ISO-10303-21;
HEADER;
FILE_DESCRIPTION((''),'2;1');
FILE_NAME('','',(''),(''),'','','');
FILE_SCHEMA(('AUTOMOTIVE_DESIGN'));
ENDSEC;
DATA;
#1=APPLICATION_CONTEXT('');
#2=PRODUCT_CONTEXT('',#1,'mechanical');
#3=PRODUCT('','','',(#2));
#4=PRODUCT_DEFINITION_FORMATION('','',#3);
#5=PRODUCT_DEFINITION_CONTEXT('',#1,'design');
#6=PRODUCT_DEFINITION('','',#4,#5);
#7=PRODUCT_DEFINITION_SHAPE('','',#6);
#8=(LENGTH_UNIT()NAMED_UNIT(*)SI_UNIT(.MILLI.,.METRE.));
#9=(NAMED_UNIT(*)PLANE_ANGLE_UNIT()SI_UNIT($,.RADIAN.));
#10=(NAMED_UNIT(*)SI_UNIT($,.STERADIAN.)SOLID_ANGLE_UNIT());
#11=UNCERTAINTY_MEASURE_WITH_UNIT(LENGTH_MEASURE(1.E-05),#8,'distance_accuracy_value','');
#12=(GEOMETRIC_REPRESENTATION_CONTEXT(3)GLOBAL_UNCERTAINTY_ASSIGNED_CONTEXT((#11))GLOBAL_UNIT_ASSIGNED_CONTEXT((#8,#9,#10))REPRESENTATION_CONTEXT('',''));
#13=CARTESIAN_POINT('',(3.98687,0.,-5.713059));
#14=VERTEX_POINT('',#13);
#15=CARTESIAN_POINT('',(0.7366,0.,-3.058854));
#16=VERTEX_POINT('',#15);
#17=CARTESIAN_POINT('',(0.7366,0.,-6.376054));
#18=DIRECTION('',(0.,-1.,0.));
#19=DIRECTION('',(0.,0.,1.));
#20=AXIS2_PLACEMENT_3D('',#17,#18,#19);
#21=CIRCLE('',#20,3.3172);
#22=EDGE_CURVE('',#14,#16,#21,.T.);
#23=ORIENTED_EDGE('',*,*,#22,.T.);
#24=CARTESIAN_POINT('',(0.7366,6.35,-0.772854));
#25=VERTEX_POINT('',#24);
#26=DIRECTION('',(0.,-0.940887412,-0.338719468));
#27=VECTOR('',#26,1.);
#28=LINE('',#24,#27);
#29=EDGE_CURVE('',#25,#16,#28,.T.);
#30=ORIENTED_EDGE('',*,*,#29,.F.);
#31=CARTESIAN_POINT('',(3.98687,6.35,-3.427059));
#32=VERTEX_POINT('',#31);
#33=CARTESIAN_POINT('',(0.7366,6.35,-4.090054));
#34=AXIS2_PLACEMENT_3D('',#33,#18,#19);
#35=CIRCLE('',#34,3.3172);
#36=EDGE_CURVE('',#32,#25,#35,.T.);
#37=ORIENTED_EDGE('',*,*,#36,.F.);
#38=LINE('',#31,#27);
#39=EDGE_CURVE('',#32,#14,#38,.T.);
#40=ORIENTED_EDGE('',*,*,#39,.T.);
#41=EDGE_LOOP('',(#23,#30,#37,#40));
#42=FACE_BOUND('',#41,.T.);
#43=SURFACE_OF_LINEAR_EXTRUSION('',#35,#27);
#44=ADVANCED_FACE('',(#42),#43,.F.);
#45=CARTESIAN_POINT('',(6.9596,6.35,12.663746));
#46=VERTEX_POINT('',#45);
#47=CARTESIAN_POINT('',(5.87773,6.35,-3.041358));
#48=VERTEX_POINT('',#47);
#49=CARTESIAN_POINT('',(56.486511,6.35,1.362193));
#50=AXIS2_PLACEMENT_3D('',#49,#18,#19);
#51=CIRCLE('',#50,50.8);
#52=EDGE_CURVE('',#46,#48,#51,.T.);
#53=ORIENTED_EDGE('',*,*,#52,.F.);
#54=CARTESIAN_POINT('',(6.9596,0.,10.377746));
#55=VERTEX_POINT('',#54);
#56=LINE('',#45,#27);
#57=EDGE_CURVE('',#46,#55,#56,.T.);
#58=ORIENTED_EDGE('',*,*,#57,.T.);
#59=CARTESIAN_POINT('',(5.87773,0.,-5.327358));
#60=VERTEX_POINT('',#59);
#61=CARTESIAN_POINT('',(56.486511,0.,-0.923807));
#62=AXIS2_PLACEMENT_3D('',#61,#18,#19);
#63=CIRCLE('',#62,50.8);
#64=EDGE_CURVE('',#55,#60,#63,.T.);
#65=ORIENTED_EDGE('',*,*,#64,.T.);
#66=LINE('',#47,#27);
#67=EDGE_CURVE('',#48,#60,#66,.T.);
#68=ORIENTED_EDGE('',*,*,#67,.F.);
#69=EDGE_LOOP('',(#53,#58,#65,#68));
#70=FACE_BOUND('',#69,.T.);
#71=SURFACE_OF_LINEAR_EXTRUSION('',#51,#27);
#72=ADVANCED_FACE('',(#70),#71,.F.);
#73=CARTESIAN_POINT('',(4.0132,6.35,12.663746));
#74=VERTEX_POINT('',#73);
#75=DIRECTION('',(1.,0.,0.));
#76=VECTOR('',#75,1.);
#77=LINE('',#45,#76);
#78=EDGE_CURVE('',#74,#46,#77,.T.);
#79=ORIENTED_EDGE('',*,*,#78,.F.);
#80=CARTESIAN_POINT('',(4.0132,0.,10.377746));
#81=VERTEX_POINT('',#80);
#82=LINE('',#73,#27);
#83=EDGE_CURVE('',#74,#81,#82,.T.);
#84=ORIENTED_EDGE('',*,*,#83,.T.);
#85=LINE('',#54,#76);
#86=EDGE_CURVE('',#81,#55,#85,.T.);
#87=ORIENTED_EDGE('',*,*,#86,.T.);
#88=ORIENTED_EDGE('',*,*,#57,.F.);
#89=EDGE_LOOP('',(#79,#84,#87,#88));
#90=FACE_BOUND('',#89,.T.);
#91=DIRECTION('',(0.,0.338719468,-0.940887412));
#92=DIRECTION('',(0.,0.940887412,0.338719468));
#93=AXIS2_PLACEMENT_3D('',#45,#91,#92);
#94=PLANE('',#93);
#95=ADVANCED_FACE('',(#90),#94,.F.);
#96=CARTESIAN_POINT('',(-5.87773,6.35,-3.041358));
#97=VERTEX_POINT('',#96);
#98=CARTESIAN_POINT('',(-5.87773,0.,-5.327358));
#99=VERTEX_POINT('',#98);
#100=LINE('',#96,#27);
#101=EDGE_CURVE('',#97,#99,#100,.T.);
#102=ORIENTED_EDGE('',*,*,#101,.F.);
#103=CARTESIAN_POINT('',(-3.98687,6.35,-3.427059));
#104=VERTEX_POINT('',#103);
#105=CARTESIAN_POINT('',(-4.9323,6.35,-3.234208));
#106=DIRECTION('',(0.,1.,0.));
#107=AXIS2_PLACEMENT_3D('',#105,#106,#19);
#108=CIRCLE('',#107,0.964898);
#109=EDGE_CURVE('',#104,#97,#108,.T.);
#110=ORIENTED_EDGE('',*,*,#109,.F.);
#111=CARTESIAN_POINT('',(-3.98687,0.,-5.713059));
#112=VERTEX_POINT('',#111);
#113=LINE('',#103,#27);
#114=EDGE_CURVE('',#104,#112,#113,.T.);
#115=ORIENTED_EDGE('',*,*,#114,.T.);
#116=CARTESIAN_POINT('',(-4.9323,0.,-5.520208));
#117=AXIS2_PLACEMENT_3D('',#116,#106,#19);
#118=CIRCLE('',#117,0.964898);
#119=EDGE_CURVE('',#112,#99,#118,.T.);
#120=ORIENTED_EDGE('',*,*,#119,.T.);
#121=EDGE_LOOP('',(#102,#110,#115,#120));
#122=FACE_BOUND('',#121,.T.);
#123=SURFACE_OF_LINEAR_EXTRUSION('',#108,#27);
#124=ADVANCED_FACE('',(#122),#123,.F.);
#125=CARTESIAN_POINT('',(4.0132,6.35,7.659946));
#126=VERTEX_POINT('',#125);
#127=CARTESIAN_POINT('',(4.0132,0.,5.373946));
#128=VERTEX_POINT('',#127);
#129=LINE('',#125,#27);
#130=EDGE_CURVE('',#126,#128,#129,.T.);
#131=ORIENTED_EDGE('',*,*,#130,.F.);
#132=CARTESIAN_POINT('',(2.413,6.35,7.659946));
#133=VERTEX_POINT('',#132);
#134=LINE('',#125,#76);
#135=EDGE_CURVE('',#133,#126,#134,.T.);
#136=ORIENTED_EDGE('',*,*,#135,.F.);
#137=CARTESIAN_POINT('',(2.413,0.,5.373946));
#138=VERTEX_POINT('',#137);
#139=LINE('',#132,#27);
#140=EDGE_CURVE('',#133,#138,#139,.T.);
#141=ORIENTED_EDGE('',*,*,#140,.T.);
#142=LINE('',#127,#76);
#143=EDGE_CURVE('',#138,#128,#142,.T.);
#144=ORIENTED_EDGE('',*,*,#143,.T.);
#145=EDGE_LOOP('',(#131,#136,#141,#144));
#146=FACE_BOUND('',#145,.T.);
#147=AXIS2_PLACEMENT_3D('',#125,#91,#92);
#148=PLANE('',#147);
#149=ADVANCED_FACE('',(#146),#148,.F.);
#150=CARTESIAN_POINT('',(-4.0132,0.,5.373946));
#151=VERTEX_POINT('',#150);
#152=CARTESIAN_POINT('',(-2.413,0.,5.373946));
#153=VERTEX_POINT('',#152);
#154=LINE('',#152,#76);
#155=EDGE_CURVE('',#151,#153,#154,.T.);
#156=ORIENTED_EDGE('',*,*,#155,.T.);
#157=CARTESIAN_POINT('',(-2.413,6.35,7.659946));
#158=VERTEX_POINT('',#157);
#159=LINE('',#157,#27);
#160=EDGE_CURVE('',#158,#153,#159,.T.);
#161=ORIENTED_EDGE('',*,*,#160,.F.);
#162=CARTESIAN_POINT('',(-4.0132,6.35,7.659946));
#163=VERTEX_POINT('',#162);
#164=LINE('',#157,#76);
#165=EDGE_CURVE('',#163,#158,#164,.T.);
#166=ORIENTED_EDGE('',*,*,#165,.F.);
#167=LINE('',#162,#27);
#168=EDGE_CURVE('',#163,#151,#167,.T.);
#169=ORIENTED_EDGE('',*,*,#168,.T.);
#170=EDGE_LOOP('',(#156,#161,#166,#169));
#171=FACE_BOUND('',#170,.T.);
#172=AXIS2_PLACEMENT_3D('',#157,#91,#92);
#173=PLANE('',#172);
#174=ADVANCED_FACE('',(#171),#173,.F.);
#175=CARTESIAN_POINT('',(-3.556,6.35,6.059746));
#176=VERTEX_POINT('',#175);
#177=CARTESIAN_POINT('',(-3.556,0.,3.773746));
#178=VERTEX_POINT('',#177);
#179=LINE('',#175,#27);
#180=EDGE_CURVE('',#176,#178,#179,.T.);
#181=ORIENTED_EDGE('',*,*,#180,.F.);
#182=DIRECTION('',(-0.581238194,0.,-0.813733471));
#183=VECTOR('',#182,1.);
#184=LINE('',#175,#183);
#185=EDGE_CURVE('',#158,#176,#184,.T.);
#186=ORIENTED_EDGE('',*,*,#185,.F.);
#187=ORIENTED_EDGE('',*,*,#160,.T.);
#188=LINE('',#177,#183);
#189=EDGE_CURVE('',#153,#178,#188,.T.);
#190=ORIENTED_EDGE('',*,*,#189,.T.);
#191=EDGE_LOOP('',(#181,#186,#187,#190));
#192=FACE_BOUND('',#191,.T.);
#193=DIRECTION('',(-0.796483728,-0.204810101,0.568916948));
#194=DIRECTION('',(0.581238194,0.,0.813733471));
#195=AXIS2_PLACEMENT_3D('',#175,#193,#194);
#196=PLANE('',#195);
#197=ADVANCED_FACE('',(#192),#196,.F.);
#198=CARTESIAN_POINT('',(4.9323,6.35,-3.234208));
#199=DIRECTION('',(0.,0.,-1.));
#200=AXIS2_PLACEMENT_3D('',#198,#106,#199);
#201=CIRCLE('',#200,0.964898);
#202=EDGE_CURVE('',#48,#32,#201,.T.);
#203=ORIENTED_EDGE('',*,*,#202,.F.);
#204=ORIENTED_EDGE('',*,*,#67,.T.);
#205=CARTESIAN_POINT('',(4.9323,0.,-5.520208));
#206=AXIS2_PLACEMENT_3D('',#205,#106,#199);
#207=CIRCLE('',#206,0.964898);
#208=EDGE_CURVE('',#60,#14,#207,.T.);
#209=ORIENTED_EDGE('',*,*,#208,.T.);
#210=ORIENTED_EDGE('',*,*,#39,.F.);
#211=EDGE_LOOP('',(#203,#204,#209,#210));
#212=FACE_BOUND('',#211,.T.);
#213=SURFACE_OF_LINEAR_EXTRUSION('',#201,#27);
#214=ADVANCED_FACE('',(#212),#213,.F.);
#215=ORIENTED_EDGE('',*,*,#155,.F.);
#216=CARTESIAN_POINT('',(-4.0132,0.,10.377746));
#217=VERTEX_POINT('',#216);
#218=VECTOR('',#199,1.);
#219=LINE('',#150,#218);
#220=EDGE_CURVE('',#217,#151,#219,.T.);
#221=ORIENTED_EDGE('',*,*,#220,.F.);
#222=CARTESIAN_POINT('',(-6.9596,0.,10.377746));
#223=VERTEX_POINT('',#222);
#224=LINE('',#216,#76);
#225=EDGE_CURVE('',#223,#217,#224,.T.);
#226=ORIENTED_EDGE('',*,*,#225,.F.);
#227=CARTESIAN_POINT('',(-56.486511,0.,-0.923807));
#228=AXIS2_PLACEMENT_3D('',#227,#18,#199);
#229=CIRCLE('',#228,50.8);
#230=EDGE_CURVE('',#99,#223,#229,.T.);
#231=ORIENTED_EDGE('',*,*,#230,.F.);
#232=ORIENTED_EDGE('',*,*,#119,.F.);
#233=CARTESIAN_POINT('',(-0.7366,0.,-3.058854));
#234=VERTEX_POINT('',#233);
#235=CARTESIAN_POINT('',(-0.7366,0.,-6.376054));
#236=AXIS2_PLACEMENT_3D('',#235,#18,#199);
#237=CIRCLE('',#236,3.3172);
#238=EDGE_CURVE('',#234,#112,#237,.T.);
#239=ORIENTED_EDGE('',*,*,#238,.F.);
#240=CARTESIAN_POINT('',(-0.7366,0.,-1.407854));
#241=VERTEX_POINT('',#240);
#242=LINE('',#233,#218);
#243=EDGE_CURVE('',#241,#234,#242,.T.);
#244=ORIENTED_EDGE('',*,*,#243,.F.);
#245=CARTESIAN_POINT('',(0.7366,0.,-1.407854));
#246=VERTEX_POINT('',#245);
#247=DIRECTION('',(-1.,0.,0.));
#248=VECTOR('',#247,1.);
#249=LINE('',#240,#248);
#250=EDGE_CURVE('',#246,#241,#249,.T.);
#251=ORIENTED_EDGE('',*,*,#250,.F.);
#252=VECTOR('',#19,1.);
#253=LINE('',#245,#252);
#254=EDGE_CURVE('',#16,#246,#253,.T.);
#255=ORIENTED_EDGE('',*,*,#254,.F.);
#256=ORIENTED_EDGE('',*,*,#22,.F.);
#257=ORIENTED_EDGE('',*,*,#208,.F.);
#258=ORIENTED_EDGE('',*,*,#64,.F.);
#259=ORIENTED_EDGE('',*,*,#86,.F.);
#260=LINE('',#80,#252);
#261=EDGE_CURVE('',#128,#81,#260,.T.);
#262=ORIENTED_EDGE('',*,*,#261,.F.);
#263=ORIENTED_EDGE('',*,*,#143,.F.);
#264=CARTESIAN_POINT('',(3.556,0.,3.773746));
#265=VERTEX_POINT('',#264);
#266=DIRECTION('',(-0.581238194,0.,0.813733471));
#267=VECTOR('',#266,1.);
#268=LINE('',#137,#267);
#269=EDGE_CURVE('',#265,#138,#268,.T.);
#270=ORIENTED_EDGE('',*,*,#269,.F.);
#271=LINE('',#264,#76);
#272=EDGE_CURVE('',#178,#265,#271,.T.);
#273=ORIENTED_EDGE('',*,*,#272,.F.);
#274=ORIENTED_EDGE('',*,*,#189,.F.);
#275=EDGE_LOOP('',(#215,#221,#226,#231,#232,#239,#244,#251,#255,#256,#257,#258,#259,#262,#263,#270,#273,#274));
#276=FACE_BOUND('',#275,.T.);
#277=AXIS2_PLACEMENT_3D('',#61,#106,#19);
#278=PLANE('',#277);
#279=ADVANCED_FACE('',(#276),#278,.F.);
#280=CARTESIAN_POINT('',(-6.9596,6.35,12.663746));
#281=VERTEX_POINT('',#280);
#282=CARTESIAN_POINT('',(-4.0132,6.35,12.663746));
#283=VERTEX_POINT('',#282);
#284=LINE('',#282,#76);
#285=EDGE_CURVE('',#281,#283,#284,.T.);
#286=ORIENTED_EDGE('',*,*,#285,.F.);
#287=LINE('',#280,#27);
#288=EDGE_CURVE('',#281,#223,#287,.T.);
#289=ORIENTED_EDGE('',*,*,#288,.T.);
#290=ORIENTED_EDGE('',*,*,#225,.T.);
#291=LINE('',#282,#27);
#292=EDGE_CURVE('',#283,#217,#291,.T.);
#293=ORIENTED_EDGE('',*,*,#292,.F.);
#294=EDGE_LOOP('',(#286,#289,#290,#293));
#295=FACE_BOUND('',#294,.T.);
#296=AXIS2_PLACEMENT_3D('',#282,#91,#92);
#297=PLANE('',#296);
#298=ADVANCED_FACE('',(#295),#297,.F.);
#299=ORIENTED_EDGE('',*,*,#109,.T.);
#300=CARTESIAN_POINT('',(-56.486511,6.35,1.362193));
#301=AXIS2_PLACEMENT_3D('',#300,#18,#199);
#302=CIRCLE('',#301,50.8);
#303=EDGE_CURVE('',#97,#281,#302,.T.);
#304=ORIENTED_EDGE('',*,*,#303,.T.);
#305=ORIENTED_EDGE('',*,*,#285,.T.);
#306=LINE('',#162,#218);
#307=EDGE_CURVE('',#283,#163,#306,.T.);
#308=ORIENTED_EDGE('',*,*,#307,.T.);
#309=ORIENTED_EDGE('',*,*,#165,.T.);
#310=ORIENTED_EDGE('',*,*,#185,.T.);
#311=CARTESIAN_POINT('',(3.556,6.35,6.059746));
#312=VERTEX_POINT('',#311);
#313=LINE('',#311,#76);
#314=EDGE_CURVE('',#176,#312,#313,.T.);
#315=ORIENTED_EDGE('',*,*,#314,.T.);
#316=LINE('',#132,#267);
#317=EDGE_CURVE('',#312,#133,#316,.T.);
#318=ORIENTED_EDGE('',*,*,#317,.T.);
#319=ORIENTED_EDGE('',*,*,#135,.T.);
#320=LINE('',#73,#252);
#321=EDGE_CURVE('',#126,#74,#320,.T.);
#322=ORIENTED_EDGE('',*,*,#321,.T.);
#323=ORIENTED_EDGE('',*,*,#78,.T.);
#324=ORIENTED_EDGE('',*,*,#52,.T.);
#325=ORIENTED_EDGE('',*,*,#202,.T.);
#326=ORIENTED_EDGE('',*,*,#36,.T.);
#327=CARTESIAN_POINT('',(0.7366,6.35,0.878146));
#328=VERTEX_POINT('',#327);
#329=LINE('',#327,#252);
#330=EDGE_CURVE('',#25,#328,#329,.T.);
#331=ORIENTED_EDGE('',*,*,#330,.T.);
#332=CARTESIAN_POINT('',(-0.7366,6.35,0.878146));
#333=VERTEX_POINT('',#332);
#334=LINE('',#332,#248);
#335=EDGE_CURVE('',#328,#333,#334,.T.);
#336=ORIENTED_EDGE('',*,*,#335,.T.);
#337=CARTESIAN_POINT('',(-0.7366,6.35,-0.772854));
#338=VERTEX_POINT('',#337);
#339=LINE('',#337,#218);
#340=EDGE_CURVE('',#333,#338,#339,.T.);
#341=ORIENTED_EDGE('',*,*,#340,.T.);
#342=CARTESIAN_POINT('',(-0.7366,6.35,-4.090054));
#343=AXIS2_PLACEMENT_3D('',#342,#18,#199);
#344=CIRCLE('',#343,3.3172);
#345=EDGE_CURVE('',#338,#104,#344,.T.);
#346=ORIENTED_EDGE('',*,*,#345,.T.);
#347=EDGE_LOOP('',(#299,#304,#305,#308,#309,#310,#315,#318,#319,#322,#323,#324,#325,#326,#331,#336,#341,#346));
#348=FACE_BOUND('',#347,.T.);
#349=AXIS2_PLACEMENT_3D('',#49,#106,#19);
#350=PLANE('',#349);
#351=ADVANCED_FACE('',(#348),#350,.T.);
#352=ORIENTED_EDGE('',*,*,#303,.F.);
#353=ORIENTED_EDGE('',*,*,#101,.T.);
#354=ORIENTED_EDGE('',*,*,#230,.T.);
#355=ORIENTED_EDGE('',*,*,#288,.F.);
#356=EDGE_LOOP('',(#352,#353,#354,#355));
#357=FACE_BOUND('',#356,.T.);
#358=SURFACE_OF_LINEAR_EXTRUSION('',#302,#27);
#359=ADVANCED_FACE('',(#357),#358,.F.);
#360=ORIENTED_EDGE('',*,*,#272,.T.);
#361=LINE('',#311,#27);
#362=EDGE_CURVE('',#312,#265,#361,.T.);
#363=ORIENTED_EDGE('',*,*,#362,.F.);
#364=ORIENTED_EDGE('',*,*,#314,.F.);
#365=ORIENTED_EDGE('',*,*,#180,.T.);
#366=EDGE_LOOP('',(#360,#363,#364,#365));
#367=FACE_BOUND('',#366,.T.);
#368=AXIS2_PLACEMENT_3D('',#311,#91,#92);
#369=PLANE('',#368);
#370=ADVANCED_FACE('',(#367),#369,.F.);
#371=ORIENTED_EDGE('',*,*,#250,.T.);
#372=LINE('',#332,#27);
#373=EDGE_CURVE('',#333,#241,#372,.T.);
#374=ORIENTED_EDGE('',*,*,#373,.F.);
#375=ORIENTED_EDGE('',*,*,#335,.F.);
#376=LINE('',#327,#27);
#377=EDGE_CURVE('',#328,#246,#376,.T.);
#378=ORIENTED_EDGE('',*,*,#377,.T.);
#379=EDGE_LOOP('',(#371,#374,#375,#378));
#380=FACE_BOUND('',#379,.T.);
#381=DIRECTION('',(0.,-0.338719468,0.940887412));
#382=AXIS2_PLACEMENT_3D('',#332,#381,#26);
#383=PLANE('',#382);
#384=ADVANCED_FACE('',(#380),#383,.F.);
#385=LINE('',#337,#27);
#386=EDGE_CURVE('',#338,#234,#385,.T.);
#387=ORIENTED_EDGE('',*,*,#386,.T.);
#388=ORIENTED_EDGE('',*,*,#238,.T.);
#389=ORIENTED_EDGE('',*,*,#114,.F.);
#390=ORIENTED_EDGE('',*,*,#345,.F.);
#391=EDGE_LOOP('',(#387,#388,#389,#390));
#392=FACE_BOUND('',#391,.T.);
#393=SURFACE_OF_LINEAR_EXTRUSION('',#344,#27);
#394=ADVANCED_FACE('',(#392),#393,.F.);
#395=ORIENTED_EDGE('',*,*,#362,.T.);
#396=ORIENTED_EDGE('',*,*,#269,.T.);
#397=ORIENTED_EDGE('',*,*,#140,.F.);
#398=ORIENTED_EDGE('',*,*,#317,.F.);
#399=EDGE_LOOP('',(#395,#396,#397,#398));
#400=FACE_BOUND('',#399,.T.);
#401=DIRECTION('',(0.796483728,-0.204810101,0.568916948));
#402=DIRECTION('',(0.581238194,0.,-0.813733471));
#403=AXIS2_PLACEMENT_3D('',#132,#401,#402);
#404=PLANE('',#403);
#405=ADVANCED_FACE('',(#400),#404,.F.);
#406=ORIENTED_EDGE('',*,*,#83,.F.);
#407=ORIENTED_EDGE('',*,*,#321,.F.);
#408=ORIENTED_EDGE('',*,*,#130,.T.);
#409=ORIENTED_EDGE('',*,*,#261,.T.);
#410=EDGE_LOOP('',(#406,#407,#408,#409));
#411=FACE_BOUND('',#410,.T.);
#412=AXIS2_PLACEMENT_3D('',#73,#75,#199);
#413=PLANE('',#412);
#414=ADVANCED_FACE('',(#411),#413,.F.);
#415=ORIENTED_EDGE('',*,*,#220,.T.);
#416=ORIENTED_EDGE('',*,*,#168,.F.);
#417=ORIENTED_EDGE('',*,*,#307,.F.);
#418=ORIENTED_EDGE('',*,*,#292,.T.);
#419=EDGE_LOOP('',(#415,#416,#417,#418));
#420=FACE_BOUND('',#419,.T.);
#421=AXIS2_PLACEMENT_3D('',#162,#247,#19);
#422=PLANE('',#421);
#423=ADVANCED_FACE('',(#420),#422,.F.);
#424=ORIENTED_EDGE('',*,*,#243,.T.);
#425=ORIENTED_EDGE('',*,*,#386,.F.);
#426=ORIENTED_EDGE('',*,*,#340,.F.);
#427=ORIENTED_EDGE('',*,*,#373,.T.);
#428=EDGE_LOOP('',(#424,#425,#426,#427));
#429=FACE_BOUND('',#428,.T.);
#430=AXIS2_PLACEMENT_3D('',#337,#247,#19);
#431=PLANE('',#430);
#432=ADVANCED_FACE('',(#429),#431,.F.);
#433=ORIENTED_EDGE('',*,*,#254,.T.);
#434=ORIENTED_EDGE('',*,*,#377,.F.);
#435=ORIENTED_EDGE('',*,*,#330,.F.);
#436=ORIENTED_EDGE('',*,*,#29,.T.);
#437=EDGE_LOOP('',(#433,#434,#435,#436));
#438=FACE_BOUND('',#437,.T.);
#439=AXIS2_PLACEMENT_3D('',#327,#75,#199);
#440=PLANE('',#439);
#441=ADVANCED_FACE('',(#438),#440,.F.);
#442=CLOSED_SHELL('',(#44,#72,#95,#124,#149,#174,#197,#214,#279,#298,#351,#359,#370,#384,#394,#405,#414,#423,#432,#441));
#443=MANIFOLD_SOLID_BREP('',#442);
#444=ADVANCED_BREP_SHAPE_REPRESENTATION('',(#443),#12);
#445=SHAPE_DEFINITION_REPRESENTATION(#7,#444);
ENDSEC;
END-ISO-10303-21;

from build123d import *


with BuildPart() as part:
    # Sweep1: sweep along a path in Sketch4
    with BuildLine(Plane(origin=(0, 0, 0), x_dir=(0, 0, -1), z_dir=(1, 0, 0))) as sweep1_path:
        Line((0, 0), (-2.286, 6.35))
    # Sketch2 → Sweep1 (sweep)
    with BuildSketch(Plane(origin=(0, 0, 0), x_dir=(1, 0, 0), z_dir=(0, 1, 0))):
        with BuildLine():
            Line((6.9596, -10.377746103), (4.0132, -10.377746103))
            Line((4.0132, -10.377746103), (4.0132, -5.373946103))
            Line((4.0132, -5.373946103), (2.413, -5.373946103))
            Line((2.413, -5.373946103), (3.556, -3.773746103))
            Line((3.556, -3.773746103), (-3.556, -3.773746103))
            Line((-3.556, -3.773746103), (-2.413, -5.373946103))
            Line((-2.413, -5.373946103), (-4.0132, -5.373946103))
            Line((-4.0132, -5.373946103), (-4.0132, -10.377746103))
            Line((-4.0132, -10.377746103), (-6.9596, -10.377746103))
            ThreePointArc((-6.9596, -10.377746103), (-5.806615649, -2.567356115), (-5.877729648, 5.327357779))
            ThreePointArc((-5.877729648, 5.327357779), (-5.125150102, 6.465638091), (-3.98686979, 5.713058545))
            ThreePointArc((-3.98686979, 5.713058545), (-2.834757288, 3.806705335), (-0.7366, 3.058853897))
            Line((-0.7366, 3.058853897), (-0.7366, 1.407853897))
            Line((-0.7366, 1.407853897), (0.7366, 1.407853897))
            Line((0.7366, 1.407853897), (0.7366, 3.058853897))
            ThreePointArc((0.7366, 3.058853897), (2.834757288, 3.806705335), (3.98686979, 5.713058545))
            ThreePointArc((3.98686979, 5.713058545), (5.125150102, 6.465638091), (5.877729648, 5.327357779))
            ThreePointArc((5.877729648, 5.327357779), (5.806615649, -2.567356115), (6.9596, -10.377746103))
        make_face()
    sweep(path=sweep1_path.line)


solid = part.part
